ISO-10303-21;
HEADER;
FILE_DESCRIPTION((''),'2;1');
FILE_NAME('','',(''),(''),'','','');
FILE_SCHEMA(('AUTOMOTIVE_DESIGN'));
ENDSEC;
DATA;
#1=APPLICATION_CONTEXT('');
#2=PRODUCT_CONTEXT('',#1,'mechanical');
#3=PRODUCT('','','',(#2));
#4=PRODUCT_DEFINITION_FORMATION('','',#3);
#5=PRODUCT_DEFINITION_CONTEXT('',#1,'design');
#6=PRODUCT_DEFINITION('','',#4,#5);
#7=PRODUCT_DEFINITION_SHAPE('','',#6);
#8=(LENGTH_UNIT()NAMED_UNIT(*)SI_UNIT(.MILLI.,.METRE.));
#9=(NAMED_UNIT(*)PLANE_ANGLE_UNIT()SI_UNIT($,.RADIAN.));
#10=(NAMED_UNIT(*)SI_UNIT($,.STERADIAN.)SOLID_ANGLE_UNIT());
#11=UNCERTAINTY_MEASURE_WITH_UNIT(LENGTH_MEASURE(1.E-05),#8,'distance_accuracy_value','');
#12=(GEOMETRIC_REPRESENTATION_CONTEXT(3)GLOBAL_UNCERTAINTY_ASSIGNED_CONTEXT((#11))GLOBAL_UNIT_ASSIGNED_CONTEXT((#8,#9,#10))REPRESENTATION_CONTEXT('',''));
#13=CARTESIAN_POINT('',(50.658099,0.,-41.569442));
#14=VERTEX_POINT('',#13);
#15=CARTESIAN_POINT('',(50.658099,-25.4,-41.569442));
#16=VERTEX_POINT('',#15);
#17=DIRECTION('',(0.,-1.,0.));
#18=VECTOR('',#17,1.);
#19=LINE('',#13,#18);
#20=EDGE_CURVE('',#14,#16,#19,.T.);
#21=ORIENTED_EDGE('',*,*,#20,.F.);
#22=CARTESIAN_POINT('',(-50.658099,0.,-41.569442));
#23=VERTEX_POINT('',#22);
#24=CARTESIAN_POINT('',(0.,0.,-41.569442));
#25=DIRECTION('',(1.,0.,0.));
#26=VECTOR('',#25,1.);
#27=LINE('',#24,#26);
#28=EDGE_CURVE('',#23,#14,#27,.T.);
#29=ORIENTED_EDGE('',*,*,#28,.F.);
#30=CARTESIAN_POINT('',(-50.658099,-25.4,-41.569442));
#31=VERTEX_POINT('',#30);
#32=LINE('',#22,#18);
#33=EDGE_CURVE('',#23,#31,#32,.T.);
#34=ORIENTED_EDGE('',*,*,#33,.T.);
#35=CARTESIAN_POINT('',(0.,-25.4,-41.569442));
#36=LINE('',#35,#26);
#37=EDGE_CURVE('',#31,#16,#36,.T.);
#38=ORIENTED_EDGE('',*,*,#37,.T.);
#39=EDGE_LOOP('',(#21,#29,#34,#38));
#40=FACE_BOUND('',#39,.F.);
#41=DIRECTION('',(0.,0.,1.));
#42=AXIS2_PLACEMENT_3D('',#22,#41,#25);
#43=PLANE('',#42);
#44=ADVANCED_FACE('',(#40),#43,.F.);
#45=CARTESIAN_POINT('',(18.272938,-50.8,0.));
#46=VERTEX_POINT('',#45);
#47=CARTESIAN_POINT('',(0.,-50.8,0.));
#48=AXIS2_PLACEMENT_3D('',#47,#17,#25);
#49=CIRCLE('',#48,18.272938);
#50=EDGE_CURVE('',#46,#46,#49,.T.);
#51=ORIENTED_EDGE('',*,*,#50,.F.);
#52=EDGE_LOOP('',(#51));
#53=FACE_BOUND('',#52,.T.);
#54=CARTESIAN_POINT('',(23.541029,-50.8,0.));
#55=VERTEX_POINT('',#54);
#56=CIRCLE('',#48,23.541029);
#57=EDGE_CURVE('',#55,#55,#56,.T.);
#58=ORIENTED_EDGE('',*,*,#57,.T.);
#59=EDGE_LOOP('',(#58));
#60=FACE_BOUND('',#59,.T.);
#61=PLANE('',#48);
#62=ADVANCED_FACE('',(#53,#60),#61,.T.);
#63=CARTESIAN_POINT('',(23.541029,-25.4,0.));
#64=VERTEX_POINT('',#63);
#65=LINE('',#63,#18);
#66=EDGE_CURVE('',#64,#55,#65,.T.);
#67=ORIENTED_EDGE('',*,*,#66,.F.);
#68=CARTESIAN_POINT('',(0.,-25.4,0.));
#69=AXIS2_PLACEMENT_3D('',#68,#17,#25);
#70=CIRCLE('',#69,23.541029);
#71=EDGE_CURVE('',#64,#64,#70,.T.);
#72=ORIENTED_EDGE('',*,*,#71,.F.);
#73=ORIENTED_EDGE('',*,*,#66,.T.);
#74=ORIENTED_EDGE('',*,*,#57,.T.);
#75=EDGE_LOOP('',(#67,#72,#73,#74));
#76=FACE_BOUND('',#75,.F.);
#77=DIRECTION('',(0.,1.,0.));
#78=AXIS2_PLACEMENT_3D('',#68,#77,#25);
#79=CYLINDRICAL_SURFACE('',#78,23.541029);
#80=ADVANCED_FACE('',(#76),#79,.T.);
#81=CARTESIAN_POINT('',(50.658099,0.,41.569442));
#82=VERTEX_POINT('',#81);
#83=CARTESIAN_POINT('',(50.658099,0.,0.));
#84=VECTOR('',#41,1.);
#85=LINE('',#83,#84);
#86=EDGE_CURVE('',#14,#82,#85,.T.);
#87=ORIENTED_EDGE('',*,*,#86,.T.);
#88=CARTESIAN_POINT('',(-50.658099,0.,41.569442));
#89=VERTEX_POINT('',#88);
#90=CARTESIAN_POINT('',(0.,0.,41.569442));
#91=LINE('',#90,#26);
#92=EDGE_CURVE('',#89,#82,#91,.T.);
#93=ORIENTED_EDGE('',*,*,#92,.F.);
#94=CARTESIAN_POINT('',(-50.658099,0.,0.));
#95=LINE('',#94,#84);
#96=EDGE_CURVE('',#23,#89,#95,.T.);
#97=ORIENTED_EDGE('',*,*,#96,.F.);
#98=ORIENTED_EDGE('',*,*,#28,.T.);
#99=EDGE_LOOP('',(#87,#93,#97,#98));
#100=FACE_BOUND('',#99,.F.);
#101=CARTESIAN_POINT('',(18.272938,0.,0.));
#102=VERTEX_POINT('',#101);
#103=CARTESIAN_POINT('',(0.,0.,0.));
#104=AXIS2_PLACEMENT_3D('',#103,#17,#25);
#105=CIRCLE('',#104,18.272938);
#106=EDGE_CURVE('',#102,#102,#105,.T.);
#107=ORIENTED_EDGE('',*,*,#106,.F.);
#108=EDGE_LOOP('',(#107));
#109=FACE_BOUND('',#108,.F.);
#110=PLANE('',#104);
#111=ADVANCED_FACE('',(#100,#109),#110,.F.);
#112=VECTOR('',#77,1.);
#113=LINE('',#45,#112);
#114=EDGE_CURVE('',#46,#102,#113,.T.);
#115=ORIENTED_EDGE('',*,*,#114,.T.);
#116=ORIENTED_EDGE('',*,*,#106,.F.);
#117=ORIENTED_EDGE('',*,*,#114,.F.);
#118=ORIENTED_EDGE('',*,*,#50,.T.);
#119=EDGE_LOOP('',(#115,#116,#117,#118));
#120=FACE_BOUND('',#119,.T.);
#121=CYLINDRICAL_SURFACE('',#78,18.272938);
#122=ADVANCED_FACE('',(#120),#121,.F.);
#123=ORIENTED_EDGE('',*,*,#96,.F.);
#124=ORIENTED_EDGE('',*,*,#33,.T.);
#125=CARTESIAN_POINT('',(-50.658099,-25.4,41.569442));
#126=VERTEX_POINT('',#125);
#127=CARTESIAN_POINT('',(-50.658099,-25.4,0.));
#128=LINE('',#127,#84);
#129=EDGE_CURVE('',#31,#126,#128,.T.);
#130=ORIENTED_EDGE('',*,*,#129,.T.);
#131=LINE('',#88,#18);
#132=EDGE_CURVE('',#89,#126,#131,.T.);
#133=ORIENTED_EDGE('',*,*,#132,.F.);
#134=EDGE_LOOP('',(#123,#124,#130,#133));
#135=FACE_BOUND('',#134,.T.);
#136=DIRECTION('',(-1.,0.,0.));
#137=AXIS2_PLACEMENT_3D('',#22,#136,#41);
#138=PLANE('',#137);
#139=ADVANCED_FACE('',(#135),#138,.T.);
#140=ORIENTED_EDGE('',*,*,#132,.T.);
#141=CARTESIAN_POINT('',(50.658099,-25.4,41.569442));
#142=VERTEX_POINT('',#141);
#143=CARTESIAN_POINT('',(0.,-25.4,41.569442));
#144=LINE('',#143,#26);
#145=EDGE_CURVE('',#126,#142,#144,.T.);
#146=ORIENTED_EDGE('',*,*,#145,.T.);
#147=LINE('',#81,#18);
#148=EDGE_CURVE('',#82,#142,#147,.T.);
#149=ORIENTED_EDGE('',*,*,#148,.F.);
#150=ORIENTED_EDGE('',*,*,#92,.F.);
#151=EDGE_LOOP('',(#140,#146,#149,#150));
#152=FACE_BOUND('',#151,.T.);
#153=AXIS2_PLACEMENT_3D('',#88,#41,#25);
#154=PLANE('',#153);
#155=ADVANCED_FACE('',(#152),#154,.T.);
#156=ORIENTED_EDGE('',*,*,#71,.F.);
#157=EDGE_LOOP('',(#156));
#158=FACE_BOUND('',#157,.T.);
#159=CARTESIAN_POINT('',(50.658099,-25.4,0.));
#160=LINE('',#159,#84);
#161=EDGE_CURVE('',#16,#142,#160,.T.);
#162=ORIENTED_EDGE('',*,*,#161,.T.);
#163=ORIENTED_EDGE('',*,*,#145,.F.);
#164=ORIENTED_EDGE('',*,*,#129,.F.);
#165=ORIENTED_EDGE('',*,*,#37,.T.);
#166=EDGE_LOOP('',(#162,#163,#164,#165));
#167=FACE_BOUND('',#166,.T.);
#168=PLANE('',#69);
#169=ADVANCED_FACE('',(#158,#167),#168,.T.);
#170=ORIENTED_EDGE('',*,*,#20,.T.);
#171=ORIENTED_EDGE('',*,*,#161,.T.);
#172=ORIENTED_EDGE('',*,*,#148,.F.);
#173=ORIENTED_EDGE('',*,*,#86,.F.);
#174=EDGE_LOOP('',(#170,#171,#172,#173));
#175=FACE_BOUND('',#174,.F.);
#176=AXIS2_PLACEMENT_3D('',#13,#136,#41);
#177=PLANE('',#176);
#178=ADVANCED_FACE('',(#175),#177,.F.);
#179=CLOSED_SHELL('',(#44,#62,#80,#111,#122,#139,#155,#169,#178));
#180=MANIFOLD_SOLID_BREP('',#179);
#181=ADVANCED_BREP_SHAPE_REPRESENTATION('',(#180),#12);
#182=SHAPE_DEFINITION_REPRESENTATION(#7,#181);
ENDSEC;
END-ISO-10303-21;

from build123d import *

# Parameters (mm, degrees)
F0_W     = 101.3161987066
F0_H     = 83.1388831139
F1_DEPTH = 25.4
F2_R     = 18.2729381932
F3_DEPTH = 25.4
F4_R     = 23.5410292958
F4_R_2   = 18.2729381932
F5_DEPTH = 25.4


with BuildPart() as f1:
    # F0 (on Front) → F1 (new body)
    with BuildSketch(Plane.XZ):
        Rectangle(F0_W, F0_H)
    extrude(amount=F1_DEPTH)

    # F2 (on face) → F3 (cut)
    with BuildSketch(Plane.XZ.offset(25.4)):
        Circle(F2_R)
    extrude(amount=-F3_DEPTH, mode=Mode.SUBTRACT)

    # F4 (on face) → F5 (join)
    with BuildSketch(Plane.XZ.offset(25.4)):
        Circle(F4_R)
        Circle(F4_R_2, mode=Mode.SUBTRACT)
    extrude(amount=F5_DEPTH)


solid = f1.part
